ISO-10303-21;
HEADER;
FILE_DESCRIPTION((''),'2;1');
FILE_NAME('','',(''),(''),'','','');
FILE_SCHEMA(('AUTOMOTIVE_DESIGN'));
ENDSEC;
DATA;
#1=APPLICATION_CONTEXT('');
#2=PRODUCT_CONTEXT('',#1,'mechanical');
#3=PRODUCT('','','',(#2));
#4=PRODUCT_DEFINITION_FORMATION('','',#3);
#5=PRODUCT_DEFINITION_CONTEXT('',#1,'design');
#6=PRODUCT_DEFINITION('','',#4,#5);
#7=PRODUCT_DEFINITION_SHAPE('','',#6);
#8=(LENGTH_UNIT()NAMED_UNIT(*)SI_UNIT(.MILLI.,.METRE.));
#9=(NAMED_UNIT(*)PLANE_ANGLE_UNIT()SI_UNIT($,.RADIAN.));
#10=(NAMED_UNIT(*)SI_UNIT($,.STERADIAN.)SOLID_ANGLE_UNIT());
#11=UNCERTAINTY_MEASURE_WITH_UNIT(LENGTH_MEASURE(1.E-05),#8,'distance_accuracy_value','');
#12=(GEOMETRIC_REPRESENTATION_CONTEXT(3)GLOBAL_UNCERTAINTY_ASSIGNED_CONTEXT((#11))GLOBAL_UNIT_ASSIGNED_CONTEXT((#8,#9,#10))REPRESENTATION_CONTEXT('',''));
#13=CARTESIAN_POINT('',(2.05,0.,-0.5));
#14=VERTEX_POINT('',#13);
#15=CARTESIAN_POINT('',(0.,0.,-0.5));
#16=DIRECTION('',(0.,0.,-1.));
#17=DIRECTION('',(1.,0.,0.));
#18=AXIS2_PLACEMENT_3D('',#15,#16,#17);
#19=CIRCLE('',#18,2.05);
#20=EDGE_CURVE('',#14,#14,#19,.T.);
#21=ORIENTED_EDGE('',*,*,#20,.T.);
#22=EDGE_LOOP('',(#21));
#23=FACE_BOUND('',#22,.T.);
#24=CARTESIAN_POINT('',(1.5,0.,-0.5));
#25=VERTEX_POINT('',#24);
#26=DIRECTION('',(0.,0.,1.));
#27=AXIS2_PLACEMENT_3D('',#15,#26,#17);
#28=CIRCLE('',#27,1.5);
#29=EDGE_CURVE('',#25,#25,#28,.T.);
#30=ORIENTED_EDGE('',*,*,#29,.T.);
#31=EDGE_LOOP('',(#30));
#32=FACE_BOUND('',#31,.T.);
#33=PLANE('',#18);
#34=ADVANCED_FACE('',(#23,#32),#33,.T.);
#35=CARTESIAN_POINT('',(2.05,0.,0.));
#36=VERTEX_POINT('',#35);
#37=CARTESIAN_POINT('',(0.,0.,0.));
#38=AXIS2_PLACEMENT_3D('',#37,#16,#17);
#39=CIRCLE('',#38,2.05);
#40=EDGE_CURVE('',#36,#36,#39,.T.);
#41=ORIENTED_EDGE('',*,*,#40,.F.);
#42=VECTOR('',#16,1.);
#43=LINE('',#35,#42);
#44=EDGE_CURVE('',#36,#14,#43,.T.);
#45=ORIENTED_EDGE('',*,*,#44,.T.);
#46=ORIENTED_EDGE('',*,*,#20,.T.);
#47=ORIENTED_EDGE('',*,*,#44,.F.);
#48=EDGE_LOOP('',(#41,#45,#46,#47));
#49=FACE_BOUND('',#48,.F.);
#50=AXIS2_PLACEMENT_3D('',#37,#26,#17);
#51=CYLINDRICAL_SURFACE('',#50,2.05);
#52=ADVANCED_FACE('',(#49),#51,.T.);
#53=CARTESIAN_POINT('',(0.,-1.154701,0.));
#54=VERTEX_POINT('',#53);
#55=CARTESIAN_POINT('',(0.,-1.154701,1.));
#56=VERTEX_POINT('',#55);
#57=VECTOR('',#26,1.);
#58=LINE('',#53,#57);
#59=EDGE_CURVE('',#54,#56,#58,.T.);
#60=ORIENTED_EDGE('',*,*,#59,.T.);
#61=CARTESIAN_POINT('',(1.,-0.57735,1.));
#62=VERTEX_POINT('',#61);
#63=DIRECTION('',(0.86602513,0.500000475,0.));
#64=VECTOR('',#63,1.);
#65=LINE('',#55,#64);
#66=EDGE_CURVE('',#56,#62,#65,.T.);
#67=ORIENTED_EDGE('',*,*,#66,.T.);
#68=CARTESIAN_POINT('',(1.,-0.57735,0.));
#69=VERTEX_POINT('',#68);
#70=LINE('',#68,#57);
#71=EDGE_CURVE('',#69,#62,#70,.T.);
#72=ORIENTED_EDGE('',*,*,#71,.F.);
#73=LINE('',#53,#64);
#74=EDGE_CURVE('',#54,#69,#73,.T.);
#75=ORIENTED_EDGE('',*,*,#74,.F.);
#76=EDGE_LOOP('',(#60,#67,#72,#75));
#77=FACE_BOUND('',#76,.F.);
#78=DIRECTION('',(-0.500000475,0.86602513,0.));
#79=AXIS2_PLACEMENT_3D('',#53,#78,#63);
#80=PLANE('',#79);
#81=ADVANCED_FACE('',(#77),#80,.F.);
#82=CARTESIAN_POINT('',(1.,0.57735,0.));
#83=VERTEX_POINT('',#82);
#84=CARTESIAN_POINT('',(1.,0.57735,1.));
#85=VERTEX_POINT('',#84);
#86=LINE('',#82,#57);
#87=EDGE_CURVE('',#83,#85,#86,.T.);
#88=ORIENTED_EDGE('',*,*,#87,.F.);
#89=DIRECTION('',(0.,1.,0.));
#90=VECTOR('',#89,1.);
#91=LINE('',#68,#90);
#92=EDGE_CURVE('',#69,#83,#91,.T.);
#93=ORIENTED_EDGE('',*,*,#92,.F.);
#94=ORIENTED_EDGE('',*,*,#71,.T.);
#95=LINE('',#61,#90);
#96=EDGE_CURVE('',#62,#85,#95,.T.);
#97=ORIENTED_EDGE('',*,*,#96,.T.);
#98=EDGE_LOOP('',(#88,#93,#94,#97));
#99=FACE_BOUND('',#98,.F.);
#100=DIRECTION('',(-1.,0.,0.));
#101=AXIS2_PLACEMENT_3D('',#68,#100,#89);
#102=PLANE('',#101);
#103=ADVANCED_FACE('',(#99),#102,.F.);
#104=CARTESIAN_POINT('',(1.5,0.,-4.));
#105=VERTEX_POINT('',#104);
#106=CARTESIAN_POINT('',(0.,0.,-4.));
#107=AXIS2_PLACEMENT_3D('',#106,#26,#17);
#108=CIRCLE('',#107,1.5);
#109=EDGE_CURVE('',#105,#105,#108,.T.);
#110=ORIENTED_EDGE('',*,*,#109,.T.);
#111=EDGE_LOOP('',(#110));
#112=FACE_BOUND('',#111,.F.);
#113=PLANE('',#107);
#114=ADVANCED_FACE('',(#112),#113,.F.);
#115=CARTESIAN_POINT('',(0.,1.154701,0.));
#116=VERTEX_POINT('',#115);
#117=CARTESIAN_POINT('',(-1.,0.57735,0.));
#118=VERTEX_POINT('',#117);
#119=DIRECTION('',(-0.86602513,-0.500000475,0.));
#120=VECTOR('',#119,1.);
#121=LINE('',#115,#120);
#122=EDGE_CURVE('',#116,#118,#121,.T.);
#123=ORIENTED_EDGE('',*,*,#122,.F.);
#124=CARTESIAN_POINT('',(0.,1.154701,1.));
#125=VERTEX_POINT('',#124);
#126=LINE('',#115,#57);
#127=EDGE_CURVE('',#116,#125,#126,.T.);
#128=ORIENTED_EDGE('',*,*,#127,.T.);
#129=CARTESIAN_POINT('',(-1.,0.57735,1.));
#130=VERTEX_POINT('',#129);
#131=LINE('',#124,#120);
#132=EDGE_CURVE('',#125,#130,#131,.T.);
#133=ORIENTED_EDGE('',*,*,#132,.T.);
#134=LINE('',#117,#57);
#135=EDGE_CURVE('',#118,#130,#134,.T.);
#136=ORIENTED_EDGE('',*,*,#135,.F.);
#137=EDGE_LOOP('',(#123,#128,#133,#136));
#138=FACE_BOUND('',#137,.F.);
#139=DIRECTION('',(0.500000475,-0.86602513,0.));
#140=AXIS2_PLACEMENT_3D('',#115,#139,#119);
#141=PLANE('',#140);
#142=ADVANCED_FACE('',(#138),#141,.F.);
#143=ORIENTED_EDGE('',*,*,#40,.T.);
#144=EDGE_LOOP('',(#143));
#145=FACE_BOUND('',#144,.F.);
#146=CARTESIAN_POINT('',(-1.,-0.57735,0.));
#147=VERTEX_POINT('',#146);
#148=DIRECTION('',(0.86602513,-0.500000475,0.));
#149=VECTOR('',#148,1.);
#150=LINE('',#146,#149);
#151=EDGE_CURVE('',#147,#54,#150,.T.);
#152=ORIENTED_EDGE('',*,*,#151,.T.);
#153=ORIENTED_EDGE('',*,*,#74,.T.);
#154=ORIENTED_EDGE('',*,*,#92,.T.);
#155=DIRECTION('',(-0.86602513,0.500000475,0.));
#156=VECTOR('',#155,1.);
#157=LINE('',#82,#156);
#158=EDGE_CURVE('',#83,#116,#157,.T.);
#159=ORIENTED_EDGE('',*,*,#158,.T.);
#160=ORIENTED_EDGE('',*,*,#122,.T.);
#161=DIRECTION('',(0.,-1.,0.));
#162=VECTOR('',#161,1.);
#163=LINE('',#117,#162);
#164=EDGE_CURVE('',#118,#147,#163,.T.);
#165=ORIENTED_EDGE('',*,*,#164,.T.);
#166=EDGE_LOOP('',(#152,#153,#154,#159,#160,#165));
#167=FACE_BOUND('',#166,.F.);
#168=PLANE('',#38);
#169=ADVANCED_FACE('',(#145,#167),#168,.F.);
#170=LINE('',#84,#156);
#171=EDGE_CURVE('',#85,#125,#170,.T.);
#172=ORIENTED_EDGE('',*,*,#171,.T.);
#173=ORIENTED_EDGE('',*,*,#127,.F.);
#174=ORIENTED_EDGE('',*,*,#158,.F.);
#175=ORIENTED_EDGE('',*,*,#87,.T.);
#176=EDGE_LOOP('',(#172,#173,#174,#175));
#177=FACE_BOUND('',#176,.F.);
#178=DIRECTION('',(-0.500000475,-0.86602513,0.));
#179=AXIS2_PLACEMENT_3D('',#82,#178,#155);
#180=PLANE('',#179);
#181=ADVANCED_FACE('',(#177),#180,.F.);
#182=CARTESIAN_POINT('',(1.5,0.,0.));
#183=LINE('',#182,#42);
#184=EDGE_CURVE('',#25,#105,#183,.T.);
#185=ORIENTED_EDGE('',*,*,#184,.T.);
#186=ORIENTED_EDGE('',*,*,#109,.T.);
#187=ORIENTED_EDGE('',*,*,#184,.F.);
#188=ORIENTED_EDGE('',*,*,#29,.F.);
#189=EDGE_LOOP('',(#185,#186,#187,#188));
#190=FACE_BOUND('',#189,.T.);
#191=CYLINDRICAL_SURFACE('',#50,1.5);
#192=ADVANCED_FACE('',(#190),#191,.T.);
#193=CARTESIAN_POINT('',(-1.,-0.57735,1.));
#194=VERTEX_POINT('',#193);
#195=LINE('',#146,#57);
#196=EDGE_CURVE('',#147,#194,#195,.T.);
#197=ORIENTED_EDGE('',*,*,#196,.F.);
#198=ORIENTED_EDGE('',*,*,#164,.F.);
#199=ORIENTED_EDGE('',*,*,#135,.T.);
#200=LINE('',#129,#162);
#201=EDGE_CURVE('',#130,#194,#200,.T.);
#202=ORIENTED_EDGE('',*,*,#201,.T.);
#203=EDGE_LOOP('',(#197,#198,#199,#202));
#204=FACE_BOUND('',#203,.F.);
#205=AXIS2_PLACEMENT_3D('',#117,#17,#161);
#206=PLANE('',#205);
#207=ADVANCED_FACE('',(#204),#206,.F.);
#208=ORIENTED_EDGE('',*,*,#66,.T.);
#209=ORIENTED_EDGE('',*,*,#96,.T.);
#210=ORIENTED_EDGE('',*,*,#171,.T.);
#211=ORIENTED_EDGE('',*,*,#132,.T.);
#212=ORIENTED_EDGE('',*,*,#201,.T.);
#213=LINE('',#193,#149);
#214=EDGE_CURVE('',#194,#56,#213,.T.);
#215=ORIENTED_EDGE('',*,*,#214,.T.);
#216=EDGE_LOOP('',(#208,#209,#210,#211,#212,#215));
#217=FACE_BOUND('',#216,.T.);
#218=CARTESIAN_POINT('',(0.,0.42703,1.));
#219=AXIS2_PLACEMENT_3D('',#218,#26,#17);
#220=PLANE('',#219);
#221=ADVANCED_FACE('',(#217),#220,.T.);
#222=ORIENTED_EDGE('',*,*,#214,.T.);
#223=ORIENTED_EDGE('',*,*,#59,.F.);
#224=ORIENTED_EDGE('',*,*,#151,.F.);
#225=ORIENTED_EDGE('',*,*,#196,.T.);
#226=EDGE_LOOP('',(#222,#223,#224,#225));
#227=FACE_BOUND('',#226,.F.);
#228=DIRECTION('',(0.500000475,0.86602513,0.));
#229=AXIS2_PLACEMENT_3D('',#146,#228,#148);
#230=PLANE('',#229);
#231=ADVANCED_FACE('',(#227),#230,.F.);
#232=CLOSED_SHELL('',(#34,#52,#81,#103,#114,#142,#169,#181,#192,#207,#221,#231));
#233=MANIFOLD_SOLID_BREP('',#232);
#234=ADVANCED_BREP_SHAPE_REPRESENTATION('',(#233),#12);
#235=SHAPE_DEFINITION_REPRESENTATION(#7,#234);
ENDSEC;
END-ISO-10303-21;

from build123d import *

# Parameters (mm, degrees)
F1_DEPTH = 1
F2_R     = 2.05
F3_DEPTH = 0.5
F4_R     = 1.5
F5_DEPTH = 4


with BuildPart() as f1:
    # F0 (on Top) → F1 (new body)
    with BuildSketch(Plane.XY):
        Polygon((-1, 0.57735), (-1, 0), (1, 0), (1, 0.57735), (0, 1.154701), align=None)
        Polygon((1, 0), (-1, 0), (-1, -0.57735), (0, -1.154701), (1, -0.57735), align=None)
    extrude(amount=F1_DEPTH)

    # F2 (on face) → F3 (join)
    with BuildSketch(Plane(origin=(0, 0, 0), x_dir=(1, 0, 0), z_dir=(0, 0, -1))):
        Circle(F2_R)
    extrude(amount=F3_DEPTH)

    # F4 (on Top) → F5 (join)
    with BuildSketch(Plane.XY):
        Circle(F4_R)
    extrude(amount=-F5_DEPTH)


solid = f1.part
